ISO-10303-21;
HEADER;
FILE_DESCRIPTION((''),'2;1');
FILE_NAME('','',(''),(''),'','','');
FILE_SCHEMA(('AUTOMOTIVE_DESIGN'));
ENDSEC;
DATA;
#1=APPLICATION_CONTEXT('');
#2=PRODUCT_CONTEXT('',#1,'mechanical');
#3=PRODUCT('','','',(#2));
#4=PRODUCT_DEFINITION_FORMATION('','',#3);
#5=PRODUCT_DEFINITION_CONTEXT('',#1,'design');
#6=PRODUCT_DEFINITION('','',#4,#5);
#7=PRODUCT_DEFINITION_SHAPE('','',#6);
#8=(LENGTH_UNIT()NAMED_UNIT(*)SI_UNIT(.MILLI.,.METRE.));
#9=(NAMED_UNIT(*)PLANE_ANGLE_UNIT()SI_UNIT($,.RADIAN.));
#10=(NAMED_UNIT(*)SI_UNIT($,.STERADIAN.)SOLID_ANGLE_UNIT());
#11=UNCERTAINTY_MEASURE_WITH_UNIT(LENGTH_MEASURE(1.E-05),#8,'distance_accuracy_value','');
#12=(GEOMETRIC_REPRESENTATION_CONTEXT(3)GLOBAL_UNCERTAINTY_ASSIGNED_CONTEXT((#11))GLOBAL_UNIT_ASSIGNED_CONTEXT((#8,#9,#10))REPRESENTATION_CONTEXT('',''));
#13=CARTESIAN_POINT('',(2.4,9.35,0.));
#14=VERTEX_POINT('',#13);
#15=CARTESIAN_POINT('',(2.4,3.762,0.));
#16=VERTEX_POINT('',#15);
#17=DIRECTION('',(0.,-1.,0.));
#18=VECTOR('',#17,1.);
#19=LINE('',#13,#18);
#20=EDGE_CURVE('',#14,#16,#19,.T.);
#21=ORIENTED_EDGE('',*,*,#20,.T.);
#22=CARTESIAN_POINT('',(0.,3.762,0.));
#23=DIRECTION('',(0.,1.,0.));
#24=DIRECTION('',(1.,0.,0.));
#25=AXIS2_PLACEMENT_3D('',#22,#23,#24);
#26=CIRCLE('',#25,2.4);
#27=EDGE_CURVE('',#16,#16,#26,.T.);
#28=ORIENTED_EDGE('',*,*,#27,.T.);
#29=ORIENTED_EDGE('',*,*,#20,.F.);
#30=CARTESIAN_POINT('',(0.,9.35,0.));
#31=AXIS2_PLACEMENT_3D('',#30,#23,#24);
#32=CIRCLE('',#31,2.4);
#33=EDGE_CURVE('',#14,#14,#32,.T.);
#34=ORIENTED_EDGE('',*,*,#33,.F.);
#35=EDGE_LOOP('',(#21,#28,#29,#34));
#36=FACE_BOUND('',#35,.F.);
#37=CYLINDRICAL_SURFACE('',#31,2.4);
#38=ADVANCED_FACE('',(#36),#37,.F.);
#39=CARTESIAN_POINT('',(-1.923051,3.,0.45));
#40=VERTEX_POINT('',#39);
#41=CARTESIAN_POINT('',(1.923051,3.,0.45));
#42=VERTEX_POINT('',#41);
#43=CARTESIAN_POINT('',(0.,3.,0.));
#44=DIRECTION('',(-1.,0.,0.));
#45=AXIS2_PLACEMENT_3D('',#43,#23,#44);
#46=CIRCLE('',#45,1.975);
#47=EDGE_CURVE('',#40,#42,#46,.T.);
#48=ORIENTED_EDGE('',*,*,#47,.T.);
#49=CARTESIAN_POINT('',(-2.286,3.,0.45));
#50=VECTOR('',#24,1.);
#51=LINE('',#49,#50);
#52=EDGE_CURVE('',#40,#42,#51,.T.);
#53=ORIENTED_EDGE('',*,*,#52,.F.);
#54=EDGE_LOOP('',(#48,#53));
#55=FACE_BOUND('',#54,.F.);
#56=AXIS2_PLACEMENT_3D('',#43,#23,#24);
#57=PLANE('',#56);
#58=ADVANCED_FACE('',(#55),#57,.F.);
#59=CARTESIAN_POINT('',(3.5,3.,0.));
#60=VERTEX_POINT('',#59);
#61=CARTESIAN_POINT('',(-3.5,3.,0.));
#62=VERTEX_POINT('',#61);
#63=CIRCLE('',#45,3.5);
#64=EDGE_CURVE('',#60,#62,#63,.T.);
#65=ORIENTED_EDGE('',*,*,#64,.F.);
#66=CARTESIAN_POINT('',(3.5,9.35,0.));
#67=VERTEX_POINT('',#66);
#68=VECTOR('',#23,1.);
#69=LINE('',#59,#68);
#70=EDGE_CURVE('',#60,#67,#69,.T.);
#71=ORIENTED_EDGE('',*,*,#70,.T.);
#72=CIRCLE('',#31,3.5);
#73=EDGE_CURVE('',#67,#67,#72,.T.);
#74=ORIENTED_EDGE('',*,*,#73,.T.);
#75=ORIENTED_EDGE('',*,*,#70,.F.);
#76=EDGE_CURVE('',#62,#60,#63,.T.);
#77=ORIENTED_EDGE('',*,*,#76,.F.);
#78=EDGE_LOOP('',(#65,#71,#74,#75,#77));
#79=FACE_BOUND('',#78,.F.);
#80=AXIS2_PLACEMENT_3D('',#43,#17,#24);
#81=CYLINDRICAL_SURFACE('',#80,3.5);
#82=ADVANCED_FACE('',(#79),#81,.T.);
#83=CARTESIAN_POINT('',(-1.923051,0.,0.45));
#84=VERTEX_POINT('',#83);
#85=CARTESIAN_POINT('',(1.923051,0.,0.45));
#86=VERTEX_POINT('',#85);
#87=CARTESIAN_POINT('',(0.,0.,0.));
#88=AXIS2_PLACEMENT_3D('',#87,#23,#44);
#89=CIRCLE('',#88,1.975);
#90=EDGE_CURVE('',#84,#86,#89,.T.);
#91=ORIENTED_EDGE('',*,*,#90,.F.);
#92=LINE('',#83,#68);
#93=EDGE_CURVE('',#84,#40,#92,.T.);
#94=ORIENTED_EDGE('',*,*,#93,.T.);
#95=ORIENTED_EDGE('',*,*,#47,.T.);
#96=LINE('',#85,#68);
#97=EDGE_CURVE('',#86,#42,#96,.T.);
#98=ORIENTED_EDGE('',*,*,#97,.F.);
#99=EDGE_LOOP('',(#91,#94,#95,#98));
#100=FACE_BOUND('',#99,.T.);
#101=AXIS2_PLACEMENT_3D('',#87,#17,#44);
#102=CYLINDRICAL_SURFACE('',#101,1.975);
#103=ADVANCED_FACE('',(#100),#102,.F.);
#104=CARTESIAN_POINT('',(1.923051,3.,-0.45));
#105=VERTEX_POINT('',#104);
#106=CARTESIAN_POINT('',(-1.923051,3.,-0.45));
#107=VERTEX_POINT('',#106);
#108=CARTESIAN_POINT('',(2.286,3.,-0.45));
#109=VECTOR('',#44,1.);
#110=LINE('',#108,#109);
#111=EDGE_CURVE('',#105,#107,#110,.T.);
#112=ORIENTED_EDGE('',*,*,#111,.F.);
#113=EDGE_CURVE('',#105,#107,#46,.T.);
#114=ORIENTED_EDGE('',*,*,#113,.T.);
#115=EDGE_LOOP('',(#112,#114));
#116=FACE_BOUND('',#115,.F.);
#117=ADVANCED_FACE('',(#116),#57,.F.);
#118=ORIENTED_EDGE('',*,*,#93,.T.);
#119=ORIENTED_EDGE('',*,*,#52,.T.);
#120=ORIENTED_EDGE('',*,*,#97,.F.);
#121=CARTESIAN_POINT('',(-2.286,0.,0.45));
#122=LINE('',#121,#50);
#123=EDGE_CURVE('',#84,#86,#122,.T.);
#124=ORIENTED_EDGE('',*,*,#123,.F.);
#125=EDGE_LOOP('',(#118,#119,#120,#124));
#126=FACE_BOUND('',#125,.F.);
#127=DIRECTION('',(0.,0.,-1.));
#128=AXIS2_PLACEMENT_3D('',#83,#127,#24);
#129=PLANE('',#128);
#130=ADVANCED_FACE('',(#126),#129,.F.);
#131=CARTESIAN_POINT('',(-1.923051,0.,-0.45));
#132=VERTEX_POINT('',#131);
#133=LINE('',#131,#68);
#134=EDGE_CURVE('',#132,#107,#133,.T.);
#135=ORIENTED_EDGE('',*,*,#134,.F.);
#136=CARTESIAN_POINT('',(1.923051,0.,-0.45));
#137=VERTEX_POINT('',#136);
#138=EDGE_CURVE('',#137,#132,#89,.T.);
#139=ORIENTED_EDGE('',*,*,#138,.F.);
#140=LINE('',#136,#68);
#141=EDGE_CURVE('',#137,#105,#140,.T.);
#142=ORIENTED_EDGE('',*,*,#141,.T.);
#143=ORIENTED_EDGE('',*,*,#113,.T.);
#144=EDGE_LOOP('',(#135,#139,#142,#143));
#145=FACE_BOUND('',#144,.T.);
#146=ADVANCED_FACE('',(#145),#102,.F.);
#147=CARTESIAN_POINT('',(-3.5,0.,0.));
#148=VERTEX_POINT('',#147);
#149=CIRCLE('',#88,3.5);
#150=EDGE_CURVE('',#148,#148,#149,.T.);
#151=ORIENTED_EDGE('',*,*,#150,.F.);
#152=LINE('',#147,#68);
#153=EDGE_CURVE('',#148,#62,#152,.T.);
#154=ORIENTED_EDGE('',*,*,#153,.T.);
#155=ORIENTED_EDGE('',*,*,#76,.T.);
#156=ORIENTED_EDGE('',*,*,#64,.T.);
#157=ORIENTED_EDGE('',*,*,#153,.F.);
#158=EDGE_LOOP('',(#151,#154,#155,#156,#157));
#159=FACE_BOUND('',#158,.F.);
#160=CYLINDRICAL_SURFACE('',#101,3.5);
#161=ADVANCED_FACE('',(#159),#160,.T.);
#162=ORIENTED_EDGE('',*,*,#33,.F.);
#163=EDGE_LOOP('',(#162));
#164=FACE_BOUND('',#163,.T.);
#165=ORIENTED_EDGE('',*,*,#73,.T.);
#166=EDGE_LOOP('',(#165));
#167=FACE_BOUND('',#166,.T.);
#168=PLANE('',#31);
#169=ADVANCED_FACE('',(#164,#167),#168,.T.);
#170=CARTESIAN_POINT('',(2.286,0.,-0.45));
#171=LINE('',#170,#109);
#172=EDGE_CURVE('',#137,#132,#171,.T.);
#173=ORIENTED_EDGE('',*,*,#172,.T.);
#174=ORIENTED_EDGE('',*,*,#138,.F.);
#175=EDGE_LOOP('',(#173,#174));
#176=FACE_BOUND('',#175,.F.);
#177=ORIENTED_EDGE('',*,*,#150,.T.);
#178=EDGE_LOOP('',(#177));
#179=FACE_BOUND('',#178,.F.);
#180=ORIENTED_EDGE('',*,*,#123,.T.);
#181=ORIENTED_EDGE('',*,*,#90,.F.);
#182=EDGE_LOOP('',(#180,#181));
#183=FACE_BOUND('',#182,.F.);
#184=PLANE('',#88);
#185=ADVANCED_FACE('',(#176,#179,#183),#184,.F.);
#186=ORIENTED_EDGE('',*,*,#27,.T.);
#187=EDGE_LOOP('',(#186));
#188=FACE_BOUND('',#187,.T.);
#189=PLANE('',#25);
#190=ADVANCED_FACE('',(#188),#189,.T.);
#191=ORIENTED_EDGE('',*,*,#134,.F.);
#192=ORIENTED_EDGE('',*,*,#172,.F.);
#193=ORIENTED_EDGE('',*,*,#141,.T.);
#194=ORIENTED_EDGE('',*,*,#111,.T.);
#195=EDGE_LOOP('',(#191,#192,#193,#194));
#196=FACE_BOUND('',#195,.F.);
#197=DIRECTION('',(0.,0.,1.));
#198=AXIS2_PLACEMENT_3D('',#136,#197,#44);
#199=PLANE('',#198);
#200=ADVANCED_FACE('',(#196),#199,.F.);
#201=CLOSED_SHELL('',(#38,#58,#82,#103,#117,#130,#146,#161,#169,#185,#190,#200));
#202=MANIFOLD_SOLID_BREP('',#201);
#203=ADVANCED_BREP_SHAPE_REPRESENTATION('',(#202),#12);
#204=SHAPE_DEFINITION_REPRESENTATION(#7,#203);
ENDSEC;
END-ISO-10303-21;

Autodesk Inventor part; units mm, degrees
ref_plane "YZ Plane" through (0, 0, 0) normal (1, 0, 0) x (0, 1, 0)
ref_plane "XZ Plane" through (0, 0, 0) normal (0, 1, 0) x (-1, 0, 0)
ref_plane "XY Plane" through (0, 0, 0) normal (0, 0, 1) x (1, 0, 0)
sketch "Sketch1" plane through (0, 0, 0) normal (0, 1, 0) x (-1, 0, 0)
  circle A0 centre (0, 0) radius 1.975
  circle A1 centre (0, 0) radius 3.5
  line L0 (-2.286, -0.45) -> (2.286, -0.45)
  line L1 (2.286, -0.45) -> (2.286, 0.45)
  line L2 (2.286, 0.45) -> (-2.286, 0.45)
  line L3 (-2.286, 0.45) -> (-2.286, -0.45)
  line L4 (-2.286, -0.45) -> (2.286, 0.45) construction
  line L5 (2.286, -0.45) -> (-2.286, 0.45) construction
  point P0 (-1.9231, 0.45)
  point P1 (1.9231, 0.45)
  point P2 (1.9231, -0.45)
  point P3 (-1.9231, -0.45)
  dimension "d0" = 3.95
  dimension "d1" = 7
  dimension "d2" = 0.9
  dimension "d10" = 4.572
extrude "Extrusion1" add sketch "Sketch1" along normal blind 3 contours A0 L0 L2 | A0 L2 L1 L0 | A0 L0 L3 L2 | A1
sketch "Sketch2" plane through (0, 3, 0) normal (0, 1, 0) x (1, 0, 0)
  circle A0 centre (0, 0) radius 3.5
extrude "Extrusion2" add sketch "Sketch2" along normal blind 6.35
sketch "Sketch3" plane through (0, 9.35, 0) normal (0, 1, 0) x (1, 0, 0)
  circle A0 centre (0, 0) radius 2.4
  dimension "d7" = 4.8
extrude "Extrusion3" cut sketch "Sketch3" against normal blind 5.588
properties part number "TurnBot"
